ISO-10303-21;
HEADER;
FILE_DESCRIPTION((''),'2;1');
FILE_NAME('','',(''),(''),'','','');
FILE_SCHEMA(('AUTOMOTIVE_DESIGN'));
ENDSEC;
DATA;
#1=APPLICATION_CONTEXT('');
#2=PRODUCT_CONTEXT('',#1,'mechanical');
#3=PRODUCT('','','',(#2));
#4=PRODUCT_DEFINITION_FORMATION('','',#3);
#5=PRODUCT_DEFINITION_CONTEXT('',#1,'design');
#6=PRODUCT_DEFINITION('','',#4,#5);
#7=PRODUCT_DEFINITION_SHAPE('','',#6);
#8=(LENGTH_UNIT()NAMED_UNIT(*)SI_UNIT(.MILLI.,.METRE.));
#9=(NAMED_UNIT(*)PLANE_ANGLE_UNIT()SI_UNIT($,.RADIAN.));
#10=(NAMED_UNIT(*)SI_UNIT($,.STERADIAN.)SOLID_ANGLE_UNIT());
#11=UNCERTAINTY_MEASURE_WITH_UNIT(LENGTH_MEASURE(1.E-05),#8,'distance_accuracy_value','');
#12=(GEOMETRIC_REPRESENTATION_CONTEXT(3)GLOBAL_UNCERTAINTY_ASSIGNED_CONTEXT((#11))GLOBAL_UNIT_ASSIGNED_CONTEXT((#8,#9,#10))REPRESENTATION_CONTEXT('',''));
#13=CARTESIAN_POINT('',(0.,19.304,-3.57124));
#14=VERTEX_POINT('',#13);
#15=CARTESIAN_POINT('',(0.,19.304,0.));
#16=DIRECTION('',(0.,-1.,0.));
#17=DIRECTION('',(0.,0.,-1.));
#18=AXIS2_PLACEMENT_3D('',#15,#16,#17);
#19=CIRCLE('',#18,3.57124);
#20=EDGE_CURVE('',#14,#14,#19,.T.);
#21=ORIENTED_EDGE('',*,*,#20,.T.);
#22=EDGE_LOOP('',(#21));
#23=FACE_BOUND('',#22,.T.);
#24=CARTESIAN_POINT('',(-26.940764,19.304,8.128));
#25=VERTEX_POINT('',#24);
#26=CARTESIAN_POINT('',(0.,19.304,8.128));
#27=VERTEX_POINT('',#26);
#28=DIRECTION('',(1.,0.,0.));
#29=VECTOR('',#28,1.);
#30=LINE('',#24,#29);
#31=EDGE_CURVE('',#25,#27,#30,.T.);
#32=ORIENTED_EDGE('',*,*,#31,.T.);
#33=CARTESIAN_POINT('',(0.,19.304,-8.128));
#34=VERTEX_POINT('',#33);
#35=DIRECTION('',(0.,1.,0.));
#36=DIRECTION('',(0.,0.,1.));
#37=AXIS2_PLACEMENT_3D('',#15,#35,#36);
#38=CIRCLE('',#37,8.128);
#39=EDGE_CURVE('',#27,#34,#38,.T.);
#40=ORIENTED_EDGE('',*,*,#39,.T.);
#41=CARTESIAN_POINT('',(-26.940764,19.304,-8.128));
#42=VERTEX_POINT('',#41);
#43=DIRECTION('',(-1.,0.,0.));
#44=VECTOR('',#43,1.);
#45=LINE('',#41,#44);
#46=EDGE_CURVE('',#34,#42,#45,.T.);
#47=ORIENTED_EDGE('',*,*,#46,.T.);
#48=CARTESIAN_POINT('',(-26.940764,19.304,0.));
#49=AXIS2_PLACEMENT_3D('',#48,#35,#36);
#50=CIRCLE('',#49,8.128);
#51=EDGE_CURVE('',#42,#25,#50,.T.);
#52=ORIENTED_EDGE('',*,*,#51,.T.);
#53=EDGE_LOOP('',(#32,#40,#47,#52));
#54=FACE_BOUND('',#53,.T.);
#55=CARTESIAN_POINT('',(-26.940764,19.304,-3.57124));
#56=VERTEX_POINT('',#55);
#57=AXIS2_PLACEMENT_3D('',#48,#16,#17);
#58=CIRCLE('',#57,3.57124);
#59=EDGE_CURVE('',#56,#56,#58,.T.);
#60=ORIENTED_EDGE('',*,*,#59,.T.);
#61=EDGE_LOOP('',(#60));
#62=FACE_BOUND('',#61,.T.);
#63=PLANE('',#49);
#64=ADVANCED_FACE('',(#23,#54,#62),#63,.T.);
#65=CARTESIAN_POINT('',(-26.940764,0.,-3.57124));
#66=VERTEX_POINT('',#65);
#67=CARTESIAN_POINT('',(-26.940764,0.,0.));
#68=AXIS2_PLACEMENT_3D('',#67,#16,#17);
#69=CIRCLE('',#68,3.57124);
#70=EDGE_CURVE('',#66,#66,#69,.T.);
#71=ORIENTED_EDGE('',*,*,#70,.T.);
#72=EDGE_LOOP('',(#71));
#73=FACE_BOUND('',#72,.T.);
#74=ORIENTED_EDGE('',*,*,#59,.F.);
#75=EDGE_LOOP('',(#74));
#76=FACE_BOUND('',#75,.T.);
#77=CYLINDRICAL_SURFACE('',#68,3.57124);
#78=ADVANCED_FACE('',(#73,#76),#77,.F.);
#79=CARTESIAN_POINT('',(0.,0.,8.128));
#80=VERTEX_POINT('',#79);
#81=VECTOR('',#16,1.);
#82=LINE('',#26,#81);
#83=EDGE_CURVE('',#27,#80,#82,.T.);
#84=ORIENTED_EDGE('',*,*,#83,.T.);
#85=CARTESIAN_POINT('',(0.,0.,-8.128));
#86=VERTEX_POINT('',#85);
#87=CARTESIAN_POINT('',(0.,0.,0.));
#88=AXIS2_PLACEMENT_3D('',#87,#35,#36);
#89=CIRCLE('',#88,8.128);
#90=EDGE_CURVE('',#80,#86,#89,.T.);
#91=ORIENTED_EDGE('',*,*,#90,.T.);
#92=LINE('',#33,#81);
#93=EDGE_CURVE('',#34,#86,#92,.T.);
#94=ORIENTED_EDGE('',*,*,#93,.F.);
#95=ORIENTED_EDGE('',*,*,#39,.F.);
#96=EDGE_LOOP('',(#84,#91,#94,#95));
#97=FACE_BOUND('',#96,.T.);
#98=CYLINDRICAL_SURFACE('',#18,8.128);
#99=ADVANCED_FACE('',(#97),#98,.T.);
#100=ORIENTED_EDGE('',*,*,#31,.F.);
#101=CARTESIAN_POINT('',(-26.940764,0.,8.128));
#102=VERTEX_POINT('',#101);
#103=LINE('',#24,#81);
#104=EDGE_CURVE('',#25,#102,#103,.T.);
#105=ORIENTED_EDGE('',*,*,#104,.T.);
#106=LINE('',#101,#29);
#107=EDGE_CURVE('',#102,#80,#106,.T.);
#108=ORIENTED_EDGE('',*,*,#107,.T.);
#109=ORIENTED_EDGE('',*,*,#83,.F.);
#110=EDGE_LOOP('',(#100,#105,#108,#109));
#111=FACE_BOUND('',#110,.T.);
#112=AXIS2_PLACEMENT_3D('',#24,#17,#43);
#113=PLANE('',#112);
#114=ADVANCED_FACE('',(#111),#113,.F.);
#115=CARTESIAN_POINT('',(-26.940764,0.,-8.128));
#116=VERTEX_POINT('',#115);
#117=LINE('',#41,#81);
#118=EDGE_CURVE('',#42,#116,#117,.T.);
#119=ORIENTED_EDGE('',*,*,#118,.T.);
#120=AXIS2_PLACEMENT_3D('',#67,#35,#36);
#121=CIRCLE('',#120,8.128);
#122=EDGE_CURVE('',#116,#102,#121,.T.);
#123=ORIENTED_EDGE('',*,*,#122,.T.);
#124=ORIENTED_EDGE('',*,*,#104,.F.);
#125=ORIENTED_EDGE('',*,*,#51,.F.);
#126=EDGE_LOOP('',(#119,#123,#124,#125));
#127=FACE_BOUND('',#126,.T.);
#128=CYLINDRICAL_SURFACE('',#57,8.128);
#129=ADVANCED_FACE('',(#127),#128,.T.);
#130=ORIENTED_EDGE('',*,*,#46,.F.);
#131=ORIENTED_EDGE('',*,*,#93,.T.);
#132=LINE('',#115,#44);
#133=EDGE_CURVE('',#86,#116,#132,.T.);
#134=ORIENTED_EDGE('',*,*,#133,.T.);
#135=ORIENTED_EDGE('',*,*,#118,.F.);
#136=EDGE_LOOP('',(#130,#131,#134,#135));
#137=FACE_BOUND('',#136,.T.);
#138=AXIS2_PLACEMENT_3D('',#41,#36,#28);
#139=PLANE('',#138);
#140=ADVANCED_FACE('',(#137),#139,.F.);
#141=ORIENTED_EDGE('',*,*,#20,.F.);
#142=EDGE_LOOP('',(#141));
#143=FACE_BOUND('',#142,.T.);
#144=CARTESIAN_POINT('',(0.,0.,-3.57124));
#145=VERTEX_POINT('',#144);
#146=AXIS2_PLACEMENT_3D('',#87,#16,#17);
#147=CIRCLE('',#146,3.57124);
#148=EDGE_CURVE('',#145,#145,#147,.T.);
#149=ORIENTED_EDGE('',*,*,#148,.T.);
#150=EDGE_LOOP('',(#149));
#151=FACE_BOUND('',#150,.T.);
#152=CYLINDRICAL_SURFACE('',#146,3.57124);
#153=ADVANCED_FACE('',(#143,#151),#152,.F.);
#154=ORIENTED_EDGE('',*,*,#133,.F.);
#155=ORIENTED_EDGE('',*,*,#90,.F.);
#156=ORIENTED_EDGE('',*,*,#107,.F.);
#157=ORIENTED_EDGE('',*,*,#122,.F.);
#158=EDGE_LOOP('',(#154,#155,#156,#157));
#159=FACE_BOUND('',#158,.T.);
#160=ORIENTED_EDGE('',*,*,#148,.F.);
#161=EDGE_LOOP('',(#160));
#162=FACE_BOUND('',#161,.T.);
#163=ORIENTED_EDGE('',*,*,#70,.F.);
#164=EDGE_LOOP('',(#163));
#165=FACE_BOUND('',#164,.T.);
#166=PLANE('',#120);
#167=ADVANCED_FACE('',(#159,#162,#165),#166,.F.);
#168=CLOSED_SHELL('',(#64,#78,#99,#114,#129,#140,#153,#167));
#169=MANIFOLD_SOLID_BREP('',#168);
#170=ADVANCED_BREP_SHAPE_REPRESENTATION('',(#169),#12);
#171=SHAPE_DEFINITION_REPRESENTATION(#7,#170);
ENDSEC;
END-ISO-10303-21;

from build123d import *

# Parameters (mm, degrees)
BOSS_EXTRUDE1_DEPTH     = 19.304
F_1_4_CLEARANCE_HOLE1_D = 7.14248


with BuildPart() as part:
    # Sketch1 → Boss-Extrude1 (new body)
    with BuildSketch(Plane(origin=(0, 0, 0), x_dir=(1, 0, 0), z_dir=(0, 1, 0))):
        with BuildLine():
            Line((-26.940764, 8.128), (0, 8.128))
            ThreePointArc((0, 8.128), (8.128, 0), (0, -8.128))
            Line((0, -8.128), (-26.940764, -8.128))
            ThreePointArc((-26.940764, -8.128), (-35.068764, 0), (-26.940764, 8.128))
        make_face()
    extrude(amount=BOSS_EXTRUDE1_DEPTH)

    # 1/4 Clearance Hole1 (through all)
    with Locations(Plane(origin=(0, 0, 0), x_dir=(-1, 0, 0), z_dir=(0, -1, 0))):
        with Locations((0, 0), (26.940764, 0)):
            Hole(F_1_4_CLEARANCE_HOLE1_D / 2)


solid = part.part
